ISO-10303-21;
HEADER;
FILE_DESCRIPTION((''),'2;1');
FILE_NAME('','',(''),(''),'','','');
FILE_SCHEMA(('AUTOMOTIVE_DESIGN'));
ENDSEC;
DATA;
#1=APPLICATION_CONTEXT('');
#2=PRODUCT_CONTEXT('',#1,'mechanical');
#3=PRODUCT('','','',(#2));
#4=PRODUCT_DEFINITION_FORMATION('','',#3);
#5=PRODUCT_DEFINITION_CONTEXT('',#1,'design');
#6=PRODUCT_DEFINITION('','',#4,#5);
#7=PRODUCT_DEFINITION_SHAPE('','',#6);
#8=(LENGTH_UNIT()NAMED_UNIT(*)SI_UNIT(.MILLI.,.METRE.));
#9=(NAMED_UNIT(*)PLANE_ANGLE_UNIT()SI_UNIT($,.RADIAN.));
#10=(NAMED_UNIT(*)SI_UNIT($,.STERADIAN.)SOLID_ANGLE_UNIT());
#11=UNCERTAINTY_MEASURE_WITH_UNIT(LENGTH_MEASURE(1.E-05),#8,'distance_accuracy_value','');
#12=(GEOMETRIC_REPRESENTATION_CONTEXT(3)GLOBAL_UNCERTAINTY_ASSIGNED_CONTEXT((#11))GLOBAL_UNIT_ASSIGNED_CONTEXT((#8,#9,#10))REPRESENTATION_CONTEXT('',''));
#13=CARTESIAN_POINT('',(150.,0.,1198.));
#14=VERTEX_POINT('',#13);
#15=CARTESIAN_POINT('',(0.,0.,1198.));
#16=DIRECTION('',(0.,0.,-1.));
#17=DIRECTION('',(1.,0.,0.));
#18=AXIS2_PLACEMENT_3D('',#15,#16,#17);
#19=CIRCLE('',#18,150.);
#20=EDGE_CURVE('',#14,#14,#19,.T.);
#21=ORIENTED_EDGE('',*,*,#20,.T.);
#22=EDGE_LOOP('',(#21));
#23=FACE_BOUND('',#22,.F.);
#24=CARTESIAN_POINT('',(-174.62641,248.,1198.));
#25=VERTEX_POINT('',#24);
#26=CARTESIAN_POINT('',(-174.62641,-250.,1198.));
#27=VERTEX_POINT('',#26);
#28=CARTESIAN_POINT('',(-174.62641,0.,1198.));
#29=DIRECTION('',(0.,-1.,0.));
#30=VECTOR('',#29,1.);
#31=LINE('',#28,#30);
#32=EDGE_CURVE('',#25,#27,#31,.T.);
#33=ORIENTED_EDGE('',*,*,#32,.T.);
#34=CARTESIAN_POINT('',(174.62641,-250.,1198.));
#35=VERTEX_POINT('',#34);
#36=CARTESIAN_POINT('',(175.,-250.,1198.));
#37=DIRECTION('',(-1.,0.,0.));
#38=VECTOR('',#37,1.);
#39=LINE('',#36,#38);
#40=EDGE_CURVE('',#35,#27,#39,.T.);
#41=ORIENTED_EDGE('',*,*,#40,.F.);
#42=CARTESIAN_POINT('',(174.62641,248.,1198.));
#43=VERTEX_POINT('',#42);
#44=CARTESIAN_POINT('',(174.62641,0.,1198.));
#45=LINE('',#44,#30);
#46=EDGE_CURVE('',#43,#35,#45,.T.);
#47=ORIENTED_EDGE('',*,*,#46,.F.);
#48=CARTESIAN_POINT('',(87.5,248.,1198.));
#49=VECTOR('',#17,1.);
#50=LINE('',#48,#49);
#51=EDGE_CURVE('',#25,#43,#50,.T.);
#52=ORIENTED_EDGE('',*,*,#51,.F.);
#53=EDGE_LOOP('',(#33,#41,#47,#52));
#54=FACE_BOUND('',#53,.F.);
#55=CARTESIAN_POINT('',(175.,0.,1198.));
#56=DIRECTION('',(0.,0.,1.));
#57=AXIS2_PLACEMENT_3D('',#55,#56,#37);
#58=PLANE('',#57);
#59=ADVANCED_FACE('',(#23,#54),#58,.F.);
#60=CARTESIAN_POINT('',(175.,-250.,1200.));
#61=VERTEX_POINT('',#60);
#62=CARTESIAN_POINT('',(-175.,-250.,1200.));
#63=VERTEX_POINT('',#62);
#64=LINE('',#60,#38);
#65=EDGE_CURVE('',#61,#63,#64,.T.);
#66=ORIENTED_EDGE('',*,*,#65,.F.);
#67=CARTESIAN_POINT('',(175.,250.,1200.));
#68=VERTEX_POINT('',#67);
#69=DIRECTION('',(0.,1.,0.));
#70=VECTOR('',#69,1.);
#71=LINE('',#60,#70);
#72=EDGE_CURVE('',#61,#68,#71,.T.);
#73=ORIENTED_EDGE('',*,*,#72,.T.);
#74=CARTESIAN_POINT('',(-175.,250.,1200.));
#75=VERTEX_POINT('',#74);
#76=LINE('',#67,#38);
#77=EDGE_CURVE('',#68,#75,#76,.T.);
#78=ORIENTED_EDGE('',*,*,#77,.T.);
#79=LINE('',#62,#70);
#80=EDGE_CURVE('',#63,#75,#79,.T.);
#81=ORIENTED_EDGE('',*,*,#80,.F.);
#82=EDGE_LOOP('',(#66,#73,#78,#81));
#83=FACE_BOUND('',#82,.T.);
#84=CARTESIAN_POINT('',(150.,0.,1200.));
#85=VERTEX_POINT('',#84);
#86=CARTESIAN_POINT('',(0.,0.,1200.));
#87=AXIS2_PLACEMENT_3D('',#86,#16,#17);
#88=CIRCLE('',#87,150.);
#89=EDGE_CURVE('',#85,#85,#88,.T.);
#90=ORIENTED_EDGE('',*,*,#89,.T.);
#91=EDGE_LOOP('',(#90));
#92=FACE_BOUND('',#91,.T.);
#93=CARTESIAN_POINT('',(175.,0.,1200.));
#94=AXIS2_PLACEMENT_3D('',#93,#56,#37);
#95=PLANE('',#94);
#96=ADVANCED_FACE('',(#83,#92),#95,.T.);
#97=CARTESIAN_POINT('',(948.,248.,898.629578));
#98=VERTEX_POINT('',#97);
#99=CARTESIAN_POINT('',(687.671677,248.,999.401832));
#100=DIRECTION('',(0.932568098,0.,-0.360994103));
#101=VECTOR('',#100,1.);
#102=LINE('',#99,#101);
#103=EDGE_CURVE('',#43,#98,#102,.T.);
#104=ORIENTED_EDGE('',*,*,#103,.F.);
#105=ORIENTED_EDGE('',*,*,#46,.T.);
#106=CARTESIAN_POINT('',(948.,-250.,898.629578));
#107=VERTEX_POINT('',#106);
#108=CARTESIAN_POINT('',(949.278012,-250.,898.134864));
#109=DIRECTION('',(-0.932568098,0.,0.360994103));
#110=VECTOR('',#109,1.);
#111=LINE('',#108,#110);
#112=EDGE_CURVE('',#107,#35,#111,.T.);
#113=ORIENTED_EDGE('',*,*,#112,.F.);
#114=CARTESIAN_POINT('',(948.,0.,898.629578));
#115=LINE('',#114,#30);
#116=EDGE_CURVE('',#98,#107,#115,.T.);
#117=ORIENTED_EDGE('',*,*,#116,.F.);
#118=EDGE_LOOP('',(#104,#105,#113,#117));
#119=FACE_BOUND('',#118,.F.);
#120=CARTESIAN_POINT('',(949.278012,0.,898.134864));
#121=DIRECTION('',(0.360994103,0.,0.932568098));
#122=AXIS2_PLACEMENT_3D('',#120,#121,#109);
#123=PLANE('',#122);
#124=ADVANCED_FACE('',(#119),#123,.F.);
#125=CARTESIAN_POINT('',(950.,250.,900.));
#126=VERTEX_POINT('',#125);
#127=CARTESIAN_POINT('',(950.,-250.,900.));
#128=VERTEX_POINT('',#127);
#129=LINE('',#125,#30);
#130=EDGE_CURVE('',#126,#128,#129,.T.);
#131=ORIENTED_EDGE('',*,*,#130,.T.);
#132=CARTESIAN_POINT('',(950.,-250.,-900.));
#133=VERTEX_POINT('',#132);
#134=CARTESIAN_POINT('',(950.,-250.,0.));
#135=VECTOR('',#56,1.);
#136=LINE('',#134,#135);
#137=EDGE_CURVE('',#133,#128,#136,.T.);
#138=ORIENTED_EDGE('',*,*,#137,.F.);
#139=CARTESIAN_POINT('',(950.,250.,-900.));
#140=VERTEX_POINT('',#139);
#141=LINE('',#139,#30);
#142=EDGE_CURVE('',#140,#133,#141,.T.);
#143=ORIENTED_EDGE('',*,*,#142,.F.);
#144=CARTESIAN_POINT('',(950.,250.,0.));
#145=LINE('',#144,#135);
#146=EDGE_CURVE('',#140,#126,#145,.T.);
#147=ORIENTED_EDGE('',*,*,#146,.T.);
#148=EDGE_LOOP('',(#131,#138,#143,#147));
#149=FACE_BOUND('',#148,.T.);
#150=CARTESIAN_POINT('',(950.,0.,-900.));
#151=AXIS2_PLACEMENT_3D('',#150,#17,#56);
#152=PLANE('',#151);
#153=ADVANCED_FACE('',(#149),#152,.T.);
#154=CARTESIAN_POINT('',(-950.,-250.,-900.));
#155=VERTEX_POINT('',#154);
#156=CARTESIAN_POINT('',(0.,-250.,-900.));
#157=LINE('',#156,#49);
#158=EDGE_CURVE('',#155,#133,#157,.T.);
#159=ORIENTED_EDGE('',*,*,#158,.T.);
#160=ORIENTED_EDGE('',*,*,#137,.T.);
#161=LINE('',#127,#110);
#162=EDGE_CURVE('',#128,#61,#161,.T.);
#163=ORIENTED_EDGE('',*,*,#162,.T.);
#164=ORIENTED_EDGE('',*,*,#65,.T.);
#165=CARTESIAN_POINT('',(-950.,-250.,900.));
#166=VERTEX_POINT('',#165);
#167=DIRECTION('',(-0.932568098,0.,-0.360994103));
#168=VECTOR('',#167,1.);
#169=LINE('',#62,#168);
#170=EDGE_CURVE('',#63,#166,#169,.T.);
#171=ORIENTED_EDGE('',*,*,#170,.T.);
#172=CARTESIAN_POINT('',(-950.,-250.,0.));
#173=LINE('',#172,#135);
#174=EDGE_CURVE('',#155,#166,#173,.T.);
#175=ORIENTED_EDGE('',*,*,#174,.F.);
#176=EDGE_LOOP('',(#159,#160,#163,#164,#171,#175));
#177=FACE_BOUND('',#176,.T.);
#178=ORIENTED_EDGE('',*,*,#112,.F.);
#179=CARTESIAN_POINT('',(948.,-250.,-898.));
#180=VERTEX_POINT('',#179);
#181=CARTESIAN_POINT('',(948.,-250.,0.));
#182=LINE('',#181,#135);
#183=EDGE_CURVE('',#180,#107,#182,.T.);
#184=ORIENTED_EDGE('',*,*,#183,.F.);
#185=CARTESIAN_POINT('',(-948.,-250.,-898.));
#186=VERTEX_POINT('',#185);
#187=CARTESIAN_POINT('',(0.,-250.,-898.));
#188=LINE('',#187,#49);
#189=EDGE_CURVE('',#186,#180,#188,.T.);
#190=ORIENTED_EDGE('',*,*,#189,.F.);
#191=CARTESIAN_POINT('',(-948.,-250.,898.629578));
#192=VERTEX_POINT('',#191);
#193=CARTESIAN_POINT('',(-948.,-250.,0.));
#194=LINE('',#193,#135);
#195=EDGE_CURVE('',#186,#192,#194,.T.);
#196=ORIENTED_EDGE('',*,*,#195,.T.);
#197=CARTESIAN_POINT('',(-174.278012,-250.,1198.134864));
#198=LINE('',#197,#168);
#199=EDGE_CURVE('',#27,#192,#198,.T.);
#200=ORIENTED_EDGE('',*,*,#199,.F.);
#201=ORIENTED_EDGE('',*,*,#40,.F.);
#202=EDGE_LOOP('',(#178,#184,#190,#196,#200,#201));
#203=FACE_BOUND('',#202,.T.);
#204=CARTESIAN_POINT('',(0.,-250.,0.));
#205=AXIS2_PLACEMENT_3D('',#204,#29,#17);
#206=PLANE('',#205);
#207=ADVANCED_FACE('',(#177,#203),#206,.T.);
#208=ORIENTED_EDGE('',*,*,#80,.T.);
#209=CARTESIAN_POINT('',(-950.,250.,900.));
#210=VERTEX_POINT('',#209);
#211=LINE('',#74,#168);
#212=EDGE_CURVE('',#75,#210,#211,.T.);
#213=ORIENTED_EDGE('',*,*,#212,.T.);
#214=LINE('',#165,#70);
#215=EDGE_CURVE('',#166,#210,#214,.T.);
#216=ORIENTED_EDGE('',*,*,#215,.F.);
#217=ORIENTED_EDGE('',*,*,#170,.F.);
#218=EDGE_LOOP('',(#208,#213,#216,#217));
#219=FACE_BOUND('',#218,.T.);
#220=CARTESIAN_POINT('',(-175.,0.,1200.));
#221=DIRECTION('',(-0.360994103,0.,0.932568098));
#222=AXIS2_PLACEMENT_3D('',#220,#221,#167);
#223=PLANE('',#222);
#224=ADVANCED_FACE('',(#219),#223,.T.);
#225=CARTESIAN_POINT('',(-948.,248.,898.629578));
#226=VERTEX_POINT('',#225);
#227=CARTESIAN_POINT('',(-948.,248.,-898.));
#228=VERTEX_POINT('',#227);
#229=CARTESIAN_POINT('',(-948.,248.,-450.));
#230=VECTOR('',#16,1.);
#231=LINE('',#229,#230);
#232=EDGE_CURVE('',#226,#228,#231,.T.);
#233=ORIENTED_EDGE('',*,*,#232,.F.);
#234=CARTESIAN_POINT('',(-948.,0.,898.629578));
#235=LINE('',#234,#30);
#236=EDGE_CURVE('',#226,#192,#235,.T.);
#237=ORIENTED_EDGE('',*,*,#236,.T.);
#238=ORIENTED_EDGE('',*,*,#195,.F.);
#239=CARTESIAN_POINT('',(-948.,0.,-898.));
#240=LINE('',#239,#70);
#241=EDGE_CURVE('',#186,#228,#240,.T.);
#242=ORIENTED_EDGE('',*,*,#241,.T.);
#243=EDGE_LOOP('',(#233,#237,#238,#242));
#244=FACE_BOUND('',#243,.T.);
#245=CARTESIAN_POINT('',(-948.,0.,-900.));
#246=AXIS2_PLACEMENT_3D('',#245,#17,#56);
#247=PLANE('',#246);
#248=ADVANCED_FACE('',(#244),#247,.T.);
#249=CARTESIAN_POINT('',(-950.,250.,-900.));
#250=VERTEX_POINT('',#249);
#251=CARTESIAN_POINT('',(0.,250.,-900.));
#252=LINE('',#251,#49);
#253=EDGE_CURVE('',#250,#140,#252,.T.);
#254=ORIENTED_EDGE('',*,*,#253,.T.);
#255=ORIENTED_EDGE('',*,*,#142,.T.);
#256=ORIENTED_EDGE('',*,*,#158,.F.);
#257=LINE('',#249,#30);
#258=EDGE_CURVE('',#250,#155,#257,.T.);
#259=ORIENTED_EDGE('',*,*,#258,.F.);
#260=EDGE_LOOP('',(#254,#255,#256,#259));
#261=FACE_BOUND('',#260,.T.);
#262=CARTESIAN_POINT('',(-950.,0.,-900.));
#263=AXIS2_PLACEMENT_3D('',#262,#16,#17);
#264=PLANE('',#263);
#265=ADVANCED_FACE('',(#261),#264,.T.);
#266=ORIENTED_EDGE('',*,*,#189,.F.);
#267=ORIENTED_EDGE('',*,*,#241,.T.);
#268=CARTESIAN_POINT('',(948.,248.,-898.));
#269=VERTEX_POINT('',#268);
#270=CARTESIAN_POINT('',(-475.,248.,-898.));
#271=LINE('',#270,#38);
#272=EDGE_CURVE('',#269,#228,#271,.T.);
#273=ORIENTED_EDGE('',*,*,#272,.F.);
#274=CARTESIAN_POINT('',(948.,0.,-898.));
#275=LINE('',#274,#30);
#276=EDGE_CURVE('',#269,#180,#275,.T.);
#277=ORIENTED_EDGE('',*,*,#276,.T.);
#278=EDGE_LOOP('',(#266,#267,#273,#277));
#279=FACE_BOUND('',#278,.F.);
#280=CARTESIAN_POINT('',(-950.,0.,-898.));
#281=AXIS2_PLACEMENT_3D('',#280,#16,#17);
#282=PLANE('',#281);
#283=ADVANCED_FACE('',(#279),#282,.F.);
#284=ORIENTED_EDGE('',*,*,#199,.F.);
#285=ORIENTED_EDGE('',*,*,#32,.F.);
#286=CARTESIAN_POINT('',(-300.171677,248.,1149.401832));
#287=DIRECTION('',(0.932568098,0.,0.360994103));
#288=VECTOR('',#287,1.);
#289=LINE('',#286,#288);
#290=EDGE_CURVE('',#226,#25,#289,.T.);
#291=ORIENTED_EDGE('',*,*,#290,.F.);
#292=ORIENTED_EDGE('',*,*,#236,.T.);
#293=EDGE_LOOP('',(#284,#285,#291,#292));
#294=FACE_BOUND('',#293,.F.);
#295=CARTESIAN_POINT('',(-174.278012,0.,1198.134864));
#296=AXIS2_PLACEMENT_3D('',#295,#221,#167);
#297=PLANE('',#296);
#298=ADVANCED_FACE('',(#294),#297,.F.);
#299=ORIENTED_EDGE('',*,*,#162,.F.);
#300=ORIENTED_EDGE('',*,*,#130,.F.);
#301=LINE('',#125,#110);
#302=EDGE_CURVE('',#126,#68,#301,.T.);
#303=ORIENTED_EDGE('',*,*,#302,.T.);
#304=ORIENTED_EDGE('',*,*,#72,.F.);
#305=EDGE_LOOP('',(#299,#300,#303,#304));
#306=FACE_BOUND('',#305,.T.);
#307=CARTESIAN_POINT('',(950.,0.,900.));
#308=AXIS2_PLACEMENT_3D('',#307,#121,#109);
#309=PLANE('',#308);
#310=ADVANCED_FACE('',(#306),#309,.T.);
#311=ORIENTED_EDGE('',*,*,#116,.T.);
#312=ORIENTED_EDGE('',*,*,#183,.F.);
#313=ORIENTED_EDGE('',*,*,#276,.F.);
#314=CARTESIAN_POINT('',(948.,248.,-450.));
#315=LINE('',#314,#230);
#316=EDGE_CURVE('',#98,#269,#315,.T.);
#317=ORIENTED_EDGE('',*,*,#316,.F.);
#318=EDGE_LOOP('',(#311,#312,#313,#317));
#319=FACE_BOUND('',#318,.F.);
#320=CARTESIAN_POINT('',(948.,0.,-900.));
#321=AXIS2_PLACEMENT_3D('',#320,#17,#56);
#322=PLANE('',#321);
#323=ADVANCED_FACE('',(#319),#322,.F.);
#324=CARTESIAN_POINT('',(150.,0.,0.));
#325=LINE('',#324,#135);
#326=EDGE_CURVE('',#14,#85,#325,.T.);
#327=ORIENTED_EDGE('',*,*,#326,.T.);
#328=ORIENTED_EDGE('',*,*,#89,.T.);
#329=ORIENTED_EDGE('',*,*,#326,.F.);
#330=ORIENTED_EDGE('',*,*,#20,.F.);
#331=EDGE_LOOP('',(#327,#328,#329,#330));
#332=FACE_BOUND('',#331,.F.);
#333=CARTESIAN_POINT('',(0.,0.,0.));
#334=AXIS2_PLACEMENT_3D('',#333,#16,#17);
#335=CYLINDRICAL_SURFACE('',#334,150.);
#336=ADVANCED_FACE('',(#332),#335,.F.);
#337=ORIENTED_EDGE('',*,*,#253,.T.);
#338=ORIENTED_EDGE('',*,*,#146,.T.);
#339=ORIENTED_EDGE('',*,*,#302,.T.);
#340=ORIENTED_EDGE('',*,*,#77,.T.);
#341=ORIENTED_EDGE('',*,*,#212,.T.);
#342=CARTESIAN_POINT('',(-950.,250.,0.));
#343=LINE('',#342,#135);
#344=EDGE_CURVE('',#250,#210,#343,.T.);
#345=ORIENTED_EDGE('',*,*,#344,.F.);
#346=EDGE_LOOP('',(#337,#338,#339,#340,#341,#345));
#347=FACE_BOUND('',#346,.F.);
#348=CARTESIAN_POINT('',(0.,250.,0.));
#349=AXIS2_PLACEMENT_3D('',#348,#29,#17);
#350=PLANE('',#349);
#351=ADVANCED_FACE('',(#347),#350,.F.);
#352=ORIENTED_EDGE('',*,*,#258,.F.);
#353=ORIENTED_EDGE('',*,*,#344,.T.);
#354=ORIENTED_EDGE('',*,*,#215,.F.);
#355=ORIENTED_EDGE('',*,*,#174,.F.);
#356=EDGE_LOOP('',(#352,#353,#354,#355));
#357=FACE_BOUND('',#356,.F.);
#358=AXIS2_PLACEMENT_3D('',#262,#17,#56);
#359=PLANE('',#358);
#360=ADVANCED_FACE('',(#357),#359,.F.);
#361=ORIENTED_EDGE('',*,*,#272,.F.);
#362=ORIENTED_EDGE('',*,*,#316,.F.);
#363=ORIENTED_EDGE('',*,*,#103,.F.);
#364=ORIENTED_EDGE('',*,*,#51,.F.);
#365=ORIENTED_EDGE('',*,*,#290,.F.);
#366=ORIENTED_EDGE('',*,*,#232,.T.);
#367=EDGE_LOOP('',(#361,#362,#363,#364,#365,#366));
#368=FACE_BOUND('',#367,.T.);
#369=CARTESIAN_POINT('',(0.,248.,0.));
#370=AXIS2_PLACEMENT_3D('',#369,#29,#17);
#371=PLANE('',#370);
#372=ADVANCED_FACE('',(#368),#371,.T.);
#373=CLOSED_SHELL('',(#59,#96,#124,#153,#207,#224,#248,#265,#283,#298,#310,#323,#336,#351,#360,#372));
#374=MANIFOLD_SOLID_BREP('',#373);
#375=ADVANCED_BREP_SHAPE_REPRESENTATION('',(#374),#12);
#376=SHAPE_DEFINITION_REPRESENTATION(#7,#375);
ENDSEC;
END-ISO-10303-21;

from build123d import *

# Parameters (mm, degrees)
F0_W     = 1900
F0_H     = 1800
F1_DEPTH = 250
F2_T     = -2
F4_D     = 300
F4_DEPTH = 1200.001


with BuildPart() as f1:
    # F0 (on Front) → F1 (new body, symmetric)
    with BuildSketch(Plane.XZ):
        Rectangle(F0_W, F0_H)
        Polygon((-950, 900), (950, 900), (175, 1200), (0, 1200), (-175, 1200), align=None)
    extrude(amount=F1_DEPTH, both=True)

    # F2
    f2_openings = [f1.faces().sort_by_distance(p)[0] for p in [
        (0, -250, 91.217565),
    ]]
    offset(amount=F2_T, openings=f2_openings)

    # F4 (through all, one way)
    with BuildSketch(Plane(origin=(0, 0, 0), x_dir=(1, 0, 0), z_dir=(0, 0, -1))):
        with Locations((0, 0)):
            Circle(F4_D / 2)
    extrude(amount=-F4_DEPTH, mode=Mode.SUBTRACT)


solid = f1.part
